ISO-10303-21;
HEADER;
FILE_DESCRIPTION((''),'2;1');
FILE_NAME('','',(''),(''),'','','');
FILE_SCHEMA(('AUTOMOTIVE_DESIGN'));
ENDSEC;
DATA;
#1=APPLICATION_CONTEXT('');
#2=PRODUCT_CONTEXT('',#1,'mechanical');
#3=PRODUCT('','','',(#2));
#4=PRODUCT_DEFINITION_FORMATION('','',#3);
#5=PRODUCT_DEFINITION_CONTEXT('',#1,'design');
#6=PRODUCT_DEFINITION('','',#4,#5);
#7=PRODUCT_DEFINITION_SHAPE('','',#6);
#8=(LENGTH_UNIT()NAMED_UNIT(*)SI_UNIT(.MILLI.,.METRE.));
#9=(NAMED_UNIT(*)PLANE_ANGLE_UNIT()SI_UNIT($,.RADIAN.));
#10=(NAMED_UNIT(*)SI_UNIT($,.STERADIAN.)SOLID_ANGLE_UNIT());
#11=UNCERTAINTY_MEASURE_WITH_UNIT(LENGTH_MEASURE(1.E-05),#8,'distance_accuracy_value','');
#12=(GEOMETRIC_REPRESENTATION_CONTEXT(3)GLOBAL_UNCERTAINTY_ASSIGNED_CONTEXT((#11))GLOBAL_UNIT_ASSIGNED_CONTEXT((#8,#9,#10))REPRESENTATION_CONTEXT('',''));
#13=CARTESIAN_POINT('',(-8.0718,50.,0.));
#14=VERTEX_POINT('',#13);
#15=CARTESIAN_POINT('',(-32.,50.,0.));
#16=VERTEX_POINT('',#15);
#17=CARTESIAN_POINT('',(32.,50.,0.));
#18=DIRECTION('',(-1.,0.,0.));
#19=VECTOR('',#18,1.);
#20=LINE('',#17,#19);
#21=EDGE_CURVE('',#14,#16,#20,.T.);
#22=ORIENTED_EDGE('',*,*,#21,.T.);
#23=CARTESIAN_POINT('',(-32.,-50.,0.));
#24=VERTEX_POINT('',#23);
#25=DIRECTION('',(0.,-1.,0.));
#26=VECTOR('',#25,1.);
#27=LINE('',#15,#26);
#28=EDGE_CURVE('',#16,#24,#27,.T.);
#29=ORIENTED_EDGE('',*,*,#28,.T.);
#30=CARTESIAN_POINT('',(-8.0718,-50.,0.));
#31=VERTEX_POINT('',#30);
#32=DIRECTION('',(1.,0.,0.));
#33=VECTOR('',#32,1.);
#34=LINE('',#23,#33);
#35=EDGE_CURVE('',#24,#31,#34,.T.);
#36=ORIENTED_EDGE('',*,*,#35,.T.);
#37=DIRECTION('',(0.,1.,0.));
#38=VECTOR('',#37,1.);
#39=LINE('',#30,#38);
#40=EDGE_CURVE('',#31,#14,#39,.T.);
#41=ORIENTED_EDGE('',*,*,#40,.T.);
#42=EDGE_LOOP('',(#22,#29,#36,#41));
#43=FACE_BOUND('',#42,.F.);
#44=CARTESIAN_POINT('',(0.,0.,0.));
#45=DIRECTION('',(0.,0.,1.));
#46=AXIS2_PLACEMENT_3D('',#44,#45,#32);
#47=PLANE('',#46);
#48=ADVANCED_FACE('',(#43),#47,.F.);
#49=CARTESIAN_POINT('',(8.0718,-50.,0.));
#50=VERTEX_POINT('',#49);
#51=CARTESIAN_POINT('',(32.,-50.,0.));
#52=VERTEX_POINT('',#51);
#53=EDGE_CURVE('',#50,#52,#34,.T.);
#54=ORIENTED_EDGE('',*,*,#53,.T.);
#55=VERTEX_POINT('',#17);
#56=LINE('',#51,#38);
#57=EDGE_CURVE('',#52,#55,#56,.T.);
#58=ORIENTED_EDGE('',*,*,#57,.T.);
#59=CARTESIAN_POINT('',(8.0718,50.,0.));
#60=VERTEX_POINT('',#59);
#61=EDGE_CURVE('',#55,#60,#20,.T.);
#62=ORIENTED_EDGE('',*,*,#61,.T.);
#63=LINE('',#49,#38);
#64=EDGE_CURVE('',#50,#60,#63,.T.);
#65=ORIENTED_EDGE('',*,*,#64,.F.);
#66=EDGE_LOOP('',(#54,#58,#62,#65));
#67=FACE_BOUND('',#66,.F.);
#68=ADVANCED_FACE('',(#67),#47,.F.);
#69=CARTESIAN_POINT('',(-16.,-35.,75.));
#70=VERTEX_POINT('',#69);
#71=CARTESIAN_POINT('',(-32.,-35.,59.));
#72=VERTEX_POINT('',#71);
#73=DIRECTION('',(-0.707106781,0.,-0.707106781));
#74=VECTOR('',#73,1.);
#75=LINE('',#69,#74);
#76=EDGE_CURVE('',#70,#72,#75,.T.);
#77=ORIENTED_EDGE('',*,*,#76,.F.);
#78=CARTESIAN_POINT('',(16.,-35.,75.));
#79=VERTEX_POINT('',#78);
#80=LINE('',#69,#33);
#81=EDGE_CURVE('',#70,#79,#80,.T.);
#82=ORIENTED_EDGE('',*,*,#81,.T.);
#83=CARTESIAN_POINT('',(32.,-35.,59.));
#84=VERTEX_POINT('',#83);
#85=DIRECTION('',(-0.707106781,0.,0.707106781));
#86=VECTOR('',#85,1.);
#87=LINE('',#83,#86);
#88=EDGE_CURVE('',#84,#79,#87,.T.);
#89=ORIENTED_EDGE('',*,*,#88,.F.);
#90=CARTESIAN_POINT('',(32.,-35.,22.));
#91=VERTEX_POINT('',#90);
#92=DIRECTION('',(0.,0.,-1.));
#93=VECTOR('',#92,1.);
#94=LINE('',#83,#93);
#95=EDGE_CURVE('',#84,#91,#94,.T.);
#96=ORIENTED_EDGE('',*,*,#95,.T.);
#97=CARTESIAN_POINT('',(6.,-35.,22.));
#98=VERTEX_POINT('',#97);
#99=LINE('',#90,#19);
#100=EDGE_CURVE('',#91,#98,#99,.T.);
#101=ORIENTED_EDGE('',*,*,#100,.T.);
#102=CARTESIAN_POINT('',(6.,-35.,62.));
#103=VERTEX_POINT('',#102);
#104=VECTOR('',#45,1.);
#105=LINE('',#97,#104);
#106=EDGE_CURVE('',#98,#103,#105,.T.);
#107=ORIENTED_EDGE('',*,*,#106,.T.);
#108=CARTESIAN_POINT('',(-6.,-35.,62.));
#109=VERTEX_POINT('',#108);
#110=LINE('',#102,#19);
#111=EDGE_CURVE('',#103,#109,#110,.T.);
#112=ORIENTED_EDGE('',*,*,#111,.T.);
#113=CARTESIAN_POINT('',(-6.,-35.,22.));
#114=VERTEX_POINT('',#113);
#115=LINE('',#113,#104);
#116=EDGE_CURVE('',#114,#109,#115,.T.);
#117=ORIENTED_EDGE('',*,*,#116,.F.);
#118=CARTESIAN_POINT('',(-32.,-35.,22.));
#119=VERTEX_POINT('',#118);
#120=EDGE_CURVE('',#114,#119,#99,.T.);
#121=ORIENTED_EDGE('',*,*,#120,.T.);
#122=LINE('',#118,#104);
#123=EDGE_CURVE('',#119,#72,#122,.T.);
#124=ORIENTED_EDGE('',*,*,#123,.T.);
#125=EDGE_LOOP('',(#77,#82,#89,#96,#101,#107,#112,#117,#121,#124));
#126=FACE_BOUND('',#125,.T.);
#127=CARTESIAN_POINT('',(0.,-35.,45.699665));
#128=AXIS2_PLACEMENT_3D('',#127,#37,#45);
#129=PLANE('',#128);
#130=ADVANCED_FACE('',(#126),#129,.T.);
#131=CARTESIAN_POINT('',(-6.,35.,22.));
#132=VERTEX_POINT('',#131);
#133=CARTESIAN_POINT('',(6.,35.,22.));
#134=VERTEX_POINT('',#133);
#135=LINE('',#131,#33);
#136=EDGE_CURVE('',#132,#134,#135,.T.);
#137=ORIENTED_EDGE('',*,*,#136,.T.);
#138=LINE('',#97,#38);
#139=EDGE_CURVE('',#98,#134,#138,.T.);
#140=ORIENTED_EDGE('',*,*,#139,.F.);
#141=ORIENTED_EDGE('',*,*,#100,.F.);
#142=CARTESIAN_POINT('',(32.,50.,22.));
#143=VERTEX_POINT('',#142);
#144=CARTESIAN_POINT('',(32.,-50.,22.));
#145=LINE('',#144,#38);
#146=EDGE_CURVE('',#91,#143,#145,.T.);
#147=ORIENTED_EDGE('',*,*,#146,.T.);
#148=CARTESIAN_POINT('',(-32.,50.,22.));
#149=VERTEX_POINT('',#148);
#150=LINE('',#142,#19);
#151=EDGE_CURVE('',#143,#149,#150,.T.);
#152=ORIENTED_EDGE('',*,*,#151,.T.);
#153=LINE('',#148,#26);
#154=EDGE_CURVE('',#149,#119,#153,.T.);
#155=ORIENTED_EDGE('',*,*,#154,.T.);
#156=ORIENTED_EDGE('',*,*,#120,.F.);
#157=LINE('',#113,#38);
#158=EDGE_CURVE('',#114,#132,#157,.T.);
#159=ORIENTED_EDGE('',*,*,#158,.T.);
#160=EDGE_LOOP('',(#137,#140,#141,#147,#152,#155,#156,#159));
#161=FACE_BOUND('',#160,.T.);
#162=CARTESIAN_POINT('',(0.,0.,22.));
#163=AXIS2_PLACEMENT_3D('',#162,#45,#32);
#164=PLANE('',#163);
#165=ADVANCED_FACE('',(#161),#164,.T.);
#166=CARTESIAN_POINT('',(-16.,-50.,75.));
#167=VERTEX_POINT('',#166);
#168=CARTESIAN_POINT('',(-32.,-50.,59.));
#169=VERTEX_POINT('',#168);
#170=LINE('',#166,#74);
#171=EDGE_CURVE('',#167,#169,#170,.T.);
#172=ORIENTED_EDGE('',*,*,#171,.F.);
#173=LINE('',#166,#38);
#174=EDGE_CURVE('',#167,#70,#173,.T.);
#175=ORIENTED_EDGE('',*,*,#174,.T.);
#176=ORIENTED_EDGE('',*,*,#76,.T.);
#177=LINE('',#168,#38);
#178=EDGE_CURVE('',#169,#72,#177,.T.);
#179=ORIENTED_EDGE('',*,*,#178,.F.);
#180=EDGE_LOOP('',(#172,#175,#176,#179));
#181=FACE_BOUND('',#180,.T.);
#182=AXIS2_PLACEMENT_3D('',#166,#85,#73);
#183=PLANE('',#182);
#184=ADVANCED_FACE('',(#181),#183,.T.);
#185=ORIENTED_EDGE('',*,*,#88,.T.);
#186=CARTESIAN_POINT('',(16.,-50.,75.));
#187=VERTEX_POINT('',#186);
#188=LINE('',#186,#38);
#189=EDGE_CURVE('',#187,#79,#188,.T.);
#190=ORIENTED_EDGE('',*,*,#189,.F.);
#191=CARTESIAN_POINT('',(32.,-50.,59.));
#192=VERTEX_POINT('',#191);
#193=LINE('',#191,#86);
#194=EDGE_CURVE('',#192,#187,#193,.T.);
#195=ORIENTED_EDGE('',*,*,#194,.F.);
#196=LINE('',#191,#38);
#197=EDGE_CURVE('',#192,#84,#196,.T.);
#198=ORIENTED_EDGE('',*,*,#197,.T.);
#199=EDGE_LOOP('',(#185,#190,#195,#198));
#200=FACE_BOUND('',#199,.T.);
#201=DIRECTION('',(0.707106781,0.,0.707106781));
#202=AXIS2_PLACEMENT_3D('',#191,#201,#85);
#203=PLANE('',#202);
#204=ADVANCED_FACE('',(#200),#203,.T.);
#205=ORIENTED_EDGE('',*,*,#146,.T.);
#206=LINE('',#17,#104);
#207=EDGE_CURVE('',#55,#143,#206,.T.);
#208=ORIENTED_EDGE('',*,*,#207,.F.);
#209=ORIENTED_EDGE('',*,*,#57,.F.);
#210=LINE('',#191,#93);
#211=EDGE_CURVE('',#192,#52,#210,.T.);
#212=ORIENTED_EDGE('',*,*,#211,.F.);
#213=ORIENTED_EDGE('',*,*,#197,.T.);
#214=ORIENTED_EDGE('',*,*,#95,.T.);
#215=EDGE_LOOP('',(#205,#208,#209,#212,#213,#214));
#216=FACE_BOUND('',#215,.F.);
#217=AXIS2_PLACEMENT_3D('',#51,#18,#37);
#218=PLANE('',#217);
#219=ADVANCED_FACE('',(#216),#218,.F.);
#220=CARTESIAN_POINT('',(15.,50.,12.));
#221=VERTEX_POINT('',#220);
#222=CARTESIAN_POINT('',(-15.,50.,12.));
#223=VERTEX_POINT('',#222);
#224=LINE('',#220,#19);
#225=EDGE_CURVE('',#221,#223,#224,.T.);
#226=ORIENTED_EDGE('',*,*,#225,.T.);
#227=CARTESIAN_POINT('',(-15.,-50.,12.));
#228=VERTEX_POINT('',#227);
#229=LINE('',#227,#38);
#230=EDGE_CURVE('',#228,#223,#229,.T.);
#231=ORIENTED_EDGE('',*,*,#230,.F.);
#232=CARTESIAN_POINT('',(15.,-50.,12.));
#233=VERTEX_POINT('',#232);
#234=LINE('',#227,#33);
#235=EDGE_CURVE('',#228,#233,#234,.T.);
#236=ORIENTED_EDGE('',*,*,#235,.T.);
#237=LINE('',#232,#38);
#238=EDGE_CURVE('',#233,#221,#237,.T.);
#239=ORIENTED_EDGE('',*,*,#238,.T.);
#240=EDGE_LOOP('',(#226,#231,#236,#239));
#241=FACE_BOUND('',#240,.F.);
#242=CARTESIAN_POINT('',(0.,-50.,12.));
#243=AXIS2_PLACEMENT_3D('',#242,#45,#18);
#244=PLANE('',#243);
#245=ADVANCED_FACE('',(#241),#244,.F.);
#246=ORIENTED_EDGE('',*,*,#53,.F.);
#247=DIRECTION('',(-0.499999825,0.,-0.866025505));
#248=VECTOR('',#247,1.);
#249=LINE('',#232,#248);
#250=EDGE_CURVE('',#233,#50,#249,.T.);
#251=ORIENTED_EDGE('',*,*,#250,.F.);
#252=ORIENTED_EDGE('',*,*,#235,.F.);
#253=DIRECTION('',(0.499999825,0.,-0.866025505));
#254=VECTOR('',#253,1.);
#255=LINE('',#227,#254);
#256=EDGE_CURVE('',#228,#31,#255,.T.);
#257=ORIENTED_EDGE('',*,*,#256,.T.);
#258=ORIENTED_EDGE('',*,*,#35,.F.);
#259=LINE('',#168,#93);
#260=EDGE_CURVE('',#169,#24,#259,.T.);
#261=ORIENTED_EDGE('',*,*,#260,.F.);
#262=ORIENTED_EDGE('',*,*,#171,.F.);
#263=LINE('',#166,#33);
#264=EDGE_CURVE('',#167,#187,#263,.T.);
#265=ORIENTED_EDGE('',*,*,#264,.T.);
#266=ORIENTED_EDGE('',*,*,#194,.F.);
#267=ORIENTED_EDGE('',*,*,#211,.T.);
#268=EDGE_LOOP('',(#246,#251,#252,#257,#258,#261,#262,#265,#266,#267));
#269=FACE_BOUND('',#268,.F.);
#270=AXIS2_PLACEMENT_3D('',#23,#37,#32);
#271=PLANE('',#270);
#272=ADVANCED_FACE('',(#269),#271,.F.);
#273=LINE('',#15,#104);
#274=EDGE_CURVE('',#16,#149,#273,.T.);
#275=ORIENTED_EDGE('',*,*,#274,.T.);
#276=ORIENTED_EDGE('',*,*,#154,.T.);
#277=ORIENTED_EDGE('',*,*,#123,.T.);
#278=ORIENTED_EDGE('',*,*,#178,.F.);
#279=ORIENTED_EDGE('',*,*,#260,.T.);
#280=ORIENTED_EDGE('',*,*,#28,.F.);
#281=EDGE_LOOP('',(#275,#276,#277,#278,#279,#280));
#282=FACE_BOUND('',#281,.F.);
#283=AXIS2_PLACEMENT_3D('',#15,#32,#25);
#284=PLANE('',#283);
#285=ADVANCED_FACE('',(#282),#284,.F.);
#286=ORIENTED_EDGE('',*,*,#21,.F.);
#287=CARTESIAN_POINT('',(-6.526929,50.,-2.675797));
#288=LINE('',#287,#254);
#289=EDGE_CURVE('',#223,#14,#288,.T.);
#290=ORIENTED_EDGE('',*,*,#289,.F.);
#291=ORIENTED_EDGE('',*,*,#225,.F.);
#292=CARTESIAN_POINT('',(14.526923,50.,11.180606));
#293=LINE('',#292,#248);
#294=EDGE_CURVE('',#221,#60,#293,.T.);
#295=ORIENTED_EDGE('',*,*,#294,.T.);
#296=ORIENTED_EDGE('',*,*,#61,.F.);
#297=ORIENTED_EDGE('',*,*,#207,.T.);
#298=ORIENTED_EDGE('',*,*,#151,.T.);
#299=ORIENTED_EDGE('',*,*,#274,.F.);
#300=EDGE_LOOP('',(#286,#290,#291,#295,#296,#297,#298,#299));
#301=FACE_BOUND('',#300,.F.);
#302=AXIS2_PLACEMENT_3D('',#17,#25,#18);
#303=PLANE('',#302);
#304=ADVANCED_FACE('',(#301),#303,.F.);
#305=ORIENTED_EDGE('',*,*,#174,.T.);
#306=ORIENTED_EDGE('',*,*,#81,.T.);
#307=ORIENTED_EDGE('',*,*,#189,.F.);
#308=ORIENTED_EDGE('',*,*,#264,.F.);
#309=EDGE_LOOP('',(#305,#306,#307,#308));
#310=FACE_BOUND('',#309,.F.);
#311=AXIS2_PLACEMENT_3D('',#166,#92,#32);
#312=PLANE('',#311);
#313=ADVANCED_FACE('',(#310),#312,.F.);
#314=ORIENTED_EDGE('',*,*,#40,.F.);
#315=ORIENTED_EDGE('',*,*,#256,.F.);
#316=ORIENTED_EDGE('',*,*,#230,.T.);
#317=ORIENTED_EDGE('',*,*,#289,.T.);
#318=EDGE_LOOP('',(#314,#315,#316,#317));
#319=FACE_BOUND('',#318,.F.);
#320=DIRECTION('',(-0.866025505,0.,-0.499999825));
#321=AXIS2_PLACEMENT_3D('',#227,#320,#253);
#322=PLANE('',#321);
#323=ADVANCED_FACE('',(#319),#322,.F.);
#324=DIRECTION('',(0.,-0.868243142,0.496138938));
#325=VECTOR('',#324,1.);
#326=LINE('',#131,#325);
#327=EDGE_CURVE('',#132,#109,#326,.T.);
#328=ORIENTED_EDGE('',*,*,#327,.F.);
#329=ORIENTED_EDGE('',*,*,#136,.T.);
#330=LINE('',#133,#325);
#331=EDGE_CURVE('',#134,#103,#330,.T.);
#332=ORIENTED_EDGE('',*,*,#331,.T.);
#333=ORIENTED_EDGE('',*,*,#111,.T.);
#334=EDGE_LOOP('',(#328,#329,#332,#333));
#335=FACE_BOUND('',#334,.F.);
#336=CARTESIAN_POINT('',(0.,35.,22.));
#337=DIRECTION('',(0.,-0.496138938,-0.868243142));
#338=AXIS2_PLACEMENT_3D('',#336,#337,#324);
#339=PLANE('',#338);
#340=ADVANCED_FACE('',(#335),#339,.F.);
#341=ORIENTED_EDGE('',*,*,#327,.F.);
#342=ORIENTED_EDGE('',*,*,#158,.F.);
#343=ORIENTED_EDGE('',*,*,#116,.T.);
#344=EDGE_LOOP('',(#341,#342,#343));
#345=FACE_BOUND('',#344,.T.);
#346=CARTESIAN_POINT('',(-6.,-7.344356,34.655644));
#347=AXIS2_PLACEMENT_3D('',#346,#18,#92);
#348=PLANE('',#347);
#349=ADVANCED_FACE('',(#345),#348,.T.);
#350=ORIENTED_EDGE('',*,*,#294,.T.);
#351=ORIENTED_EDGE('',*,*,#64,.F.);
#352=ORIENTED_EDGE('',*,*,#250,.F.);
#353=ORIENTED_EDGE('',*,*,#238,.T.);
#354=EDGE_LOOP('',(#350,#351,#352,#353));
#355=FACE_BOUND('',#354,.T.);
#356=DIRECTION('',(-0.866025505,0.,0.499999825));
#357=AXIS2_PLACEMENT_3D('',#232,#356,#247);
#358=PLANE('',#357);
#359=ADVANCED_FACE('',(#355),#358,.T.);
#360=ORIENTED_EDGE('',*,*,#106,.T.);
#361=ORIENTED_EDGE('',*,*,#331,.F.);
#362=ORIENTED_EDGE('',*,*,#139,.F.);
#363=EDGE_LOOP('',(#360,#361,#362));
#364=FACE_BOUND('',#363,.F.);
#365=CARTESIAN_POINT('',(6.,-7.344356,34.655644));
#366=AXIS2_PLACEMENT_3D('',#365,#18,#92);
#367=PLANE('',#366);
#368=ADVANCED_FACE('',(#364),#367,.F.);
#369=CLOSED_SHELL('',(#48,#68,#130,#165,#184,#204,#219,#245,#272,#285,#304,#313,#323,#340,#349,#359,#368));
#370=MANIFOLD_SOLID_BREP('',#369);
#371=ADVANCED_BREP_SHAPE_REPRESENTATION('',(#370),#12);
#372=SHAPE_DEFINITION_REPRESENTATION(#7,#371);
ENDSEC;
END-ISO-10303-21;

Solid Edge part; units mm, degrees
sketch "Sketch1" plane through (0, 0, 0) normal (0, 0, 1) x (1, 0, 0)
  line L0 (32, -50) -> (32, 50)
  line L1 (32, 50) -> (-32, 50)
  line L2 (-32, 50) -> (-32, -50)
  line L3 (-32, -50) -> (32, -50)
extrude "Protrusion1" add sketch "Sketch1" along normal blind 22
sketch "Sketch2" plane through (0, -50, 11) normal (0, -1, 0) x (1, 0, 0)
  line L0 (32, 48) -> (32, 11)
  line L1 (32, 48) -> (16, 64)
  line L2 (-16, 64) -> (16, 64)
  line L3 (-16, 64) -> (-32, 48)
  line L4 (-32, 11) -> (-32, 48)
  line L5 (32, 11) -> (-32, 11)
extrude "ExtrudedProtrusion_2" add sketch "Sketch2" against normal blind 15
sketch "Sketch3" plane through (0, 0, 0) normal (1, 0, 0) x (0, 1, 0)
  line L0 (-35, 22) -> (-35, 62)
  line L1 (35, 22) -> (-35, 62)
  line L2 (-35, 22) -> (35, 22)
extrude "ExtrudedProtrusion_3" add sketch "Sketch3" along normal mid plane 12
sketch "Sketch4" plane through (0, -50, 37.5) normal (0, -1, 0) x (1, 0, 0)
  line L0 (0, -25.5) -> (15, -25.5)
  line L1 (15, -25.5) -> (8.0718, -37.5)
  line L2 (-8.0718, -37.5) -> (8.0718, -37.5)
  line L3 (-15, -25.5) -> (-8.0718, -37.5)
  line L4 (0, -25.5) -> (-15, -25.5)
extrude "ExtrudedCutout_1" cut sketch "Sketch4" against normal blind 121.5516
